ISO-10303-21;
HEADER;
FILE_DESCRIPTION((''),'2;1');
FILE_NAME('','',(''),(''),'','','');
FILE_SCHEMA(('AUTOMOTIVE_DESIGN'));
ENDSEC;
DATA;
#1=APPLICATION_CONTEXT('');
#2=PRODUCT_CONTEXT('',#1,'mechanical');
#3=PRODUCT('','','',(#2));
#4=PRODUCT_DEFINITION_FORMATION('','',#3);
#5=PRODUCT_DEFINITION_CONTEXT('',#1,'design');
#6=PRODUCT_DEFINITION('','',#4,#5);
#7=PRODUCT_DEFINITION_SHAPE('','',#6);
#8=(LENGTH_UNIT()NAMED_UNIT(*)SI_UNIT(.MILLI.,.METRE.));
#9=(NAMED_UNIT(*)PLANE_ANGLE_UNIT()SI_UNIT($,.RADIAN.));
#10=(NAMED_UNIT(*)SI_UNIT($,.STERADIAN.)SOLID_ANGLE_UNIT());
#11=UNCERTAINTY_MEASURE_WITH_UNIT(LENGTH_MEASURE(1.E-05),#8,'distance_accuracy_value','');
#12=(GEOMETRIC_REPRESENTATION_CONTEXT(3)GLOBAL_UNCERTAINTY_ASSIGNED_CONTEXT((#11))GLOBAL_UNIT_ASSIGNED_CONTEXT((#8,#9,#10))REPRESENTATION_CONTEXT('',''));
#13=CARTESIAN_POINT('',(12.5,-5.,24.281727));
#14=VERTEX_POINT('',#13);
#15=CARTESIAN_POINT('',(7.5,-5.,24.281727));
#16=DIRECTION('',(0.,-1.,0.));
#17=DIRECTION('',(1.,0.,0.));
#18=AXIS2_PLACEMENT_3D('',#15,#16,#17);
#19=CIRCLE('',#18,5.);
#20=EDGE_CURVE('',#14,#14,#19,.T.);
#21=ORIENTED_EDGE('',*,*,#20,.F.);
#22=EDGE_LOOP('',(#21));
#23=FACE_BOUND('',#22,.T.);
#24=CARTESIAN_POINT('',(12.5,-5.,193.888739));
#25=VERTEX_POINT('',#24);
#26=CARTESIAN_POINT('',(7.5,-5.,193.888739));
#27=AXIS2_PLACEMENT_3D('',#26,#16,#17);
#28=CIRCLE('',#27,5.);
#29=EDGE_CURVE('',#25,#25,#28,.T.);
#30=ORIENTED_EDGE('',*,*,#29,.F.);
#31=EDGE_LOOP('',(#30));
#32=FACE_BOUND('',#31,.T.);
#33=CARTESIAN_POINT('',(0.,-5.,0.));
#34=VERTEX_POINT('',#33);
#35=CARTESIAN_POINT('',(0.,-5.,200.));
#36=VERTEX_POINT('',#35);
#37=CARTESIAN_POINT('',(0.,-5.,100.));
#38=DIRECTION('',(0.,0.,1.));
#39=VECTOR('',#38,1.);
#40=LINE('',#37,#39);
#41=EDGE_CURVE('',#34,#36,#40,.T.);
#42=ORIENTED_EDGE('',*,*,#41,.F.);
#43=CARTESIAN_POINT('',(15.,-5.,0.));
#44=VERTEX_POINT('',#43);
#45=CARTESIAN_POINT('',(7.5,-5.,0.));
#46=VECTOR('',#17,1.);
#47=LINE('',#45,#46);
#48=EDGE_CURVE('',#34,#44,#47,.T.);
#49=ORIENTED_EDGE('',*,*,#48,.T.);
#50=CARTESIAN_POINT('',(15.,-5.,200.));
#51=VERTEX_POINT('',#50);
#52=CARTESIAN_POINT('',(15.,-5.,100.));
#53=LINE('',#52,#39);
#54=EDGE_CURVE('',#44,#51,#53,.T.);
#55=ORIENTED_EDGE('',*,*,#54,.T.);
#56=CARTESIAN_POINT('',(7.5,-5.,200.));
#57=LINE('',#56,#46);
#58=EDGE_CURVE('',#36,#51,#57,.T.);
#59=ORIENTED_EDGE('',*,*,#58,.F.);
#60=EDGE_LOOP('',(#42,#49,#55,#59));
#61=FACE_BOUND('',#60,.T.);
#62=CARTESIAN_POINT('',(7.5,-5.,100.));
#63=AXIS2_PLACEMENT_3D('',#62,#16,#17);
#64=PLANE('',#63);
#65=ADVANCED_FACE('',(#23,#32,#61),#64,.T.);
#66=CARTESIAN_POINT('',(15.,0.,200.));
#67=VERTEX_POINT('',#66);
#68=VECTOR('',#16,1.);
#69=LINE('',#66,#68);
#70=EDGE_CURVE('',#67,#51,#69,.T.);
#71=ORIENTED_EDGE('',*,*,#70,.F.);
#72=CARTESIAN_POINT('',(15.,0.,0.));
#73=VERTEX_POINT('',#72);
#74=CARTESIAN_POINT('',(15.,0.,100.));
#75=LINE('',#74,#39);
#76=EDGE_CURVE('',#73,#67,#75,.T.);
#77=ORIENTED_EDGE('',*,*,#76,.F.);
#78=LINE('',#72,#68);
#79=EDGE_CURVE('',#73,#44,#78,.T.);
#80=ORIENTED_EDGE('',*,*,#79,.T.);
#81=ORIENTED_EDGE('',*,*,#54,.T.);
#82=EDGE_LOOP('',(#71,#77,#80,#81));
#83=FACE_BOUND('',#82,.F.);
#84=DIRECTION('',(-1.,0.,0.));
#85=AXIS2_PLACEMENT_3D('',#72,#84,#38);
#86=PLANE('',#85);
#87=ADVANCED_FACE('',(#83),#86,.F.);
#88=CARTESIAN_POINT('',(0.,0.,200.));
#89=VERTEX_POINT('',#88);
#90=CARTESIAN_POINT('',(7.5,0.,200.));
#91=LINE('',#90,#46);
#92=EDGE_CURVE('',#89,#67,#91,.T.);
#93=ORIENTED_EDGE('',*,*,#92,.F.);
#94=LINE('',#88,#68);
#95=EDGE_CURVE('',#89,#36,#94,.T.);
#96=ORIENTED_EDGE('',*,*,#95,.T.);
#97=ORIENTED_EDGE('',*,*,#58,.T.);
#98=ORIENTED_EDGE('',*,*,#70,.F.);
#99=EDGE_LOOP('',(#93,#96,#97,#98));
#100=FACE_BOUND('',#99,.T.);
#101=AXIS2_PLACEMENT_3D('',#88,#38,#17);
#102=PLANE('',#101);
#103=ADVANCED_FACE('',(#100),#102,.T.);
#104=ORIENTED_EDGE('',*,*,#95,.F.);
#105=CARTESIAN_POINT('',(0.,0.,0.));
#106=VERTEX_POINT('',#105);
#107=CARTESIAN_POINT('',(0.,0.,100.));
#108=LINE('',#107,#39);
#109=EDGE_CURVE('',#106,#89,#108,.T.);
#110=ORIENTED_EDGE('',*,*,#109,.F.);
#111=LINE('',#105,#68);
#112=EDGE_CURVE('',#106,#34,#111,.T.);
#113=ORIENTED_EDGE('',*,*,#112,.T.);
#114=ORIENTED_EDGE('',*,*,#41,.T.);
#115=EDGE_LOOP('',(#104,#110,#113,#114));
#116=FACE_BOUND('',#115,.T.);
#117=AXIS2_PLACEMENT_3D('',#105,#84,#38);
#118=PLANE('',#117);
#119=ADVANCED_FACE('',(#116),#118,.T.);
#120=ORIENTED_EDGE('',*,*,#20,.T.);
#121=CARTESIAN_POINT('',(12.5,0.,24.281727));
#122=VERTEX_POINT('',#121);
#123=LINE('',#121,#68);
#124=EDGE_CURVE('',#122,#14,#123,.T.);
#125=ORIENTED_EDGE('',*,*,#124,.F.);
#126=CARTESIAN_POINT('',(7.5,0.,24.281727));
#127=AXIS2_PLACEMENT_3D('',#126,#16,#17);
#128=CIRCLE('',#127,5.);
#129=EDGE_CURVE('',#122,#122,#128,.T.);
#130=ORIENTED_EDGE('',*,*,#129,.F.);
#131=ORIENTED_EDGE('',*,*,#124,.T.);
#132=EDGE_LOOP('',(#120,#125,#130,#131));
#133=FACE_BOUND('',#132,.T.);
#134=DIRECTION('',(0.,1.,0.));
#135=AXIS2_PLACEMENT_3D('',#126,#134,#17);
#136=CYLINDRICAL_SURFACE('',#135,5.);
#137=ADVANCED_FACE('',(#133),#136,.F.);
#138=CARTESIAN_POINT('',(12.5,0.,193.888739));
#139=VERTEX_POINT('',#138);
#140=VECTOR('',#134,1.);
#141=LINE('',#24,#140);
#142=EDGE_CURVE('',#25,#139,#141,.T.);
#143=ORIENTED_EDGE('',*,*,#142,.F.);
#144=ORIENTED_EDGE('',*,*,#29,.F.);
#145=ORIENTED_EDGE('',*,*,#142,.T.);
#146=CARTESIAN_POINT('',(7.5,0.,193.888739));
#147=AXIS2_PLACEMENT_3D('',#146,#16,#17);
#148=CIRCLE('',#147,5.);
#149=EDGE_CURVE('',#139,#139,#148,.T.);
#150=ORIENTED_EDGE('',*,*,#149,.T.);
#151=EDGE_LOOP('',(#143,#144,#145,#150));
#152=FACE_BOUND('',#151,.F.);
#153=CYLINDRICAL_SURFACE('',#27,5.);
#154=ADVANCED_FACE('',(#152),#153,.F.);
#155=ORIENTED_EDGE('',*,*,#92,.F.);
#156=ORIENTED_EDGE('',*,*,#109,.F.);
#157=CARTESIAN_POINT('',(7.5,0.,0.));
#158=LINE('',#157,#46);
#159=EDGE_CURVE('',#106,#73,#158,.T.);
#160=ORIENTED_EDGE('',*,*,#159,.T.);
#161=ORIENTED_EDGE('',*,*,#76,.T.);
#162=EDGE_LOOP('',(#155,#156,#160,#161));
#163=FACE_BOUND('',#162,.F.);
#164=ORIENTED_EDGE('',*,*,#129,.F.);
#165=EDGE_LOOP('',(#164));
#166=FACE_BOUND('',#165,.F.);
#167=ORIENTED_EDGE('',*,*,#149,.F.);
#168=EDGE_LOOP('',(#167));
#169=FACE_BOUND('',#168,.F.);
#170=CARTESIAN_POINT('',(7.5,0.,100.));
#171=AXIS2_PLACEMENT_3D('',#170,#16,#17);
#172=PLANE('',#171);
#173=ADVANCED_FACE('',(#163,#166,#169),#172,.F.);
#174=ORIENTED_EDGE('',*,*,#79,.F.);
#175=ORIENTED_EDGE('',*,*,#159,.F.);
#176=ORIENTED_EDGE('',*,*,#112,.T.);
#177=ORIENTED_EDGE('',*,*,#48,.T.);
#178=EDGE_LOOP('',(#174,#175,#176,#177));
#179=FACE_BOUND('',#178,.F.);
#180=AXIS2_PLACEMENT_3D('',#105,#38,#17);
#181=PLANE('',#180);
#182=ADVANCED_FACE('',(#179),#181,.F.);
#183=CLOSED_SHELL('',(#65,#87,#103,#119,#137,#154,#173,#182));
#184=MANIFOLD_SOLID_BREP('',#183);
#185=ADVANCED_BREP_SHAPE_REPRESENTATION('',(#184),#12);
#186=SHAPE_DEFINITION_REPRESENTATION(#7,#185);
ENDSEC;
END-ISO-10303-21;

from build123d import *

# Parameters (mm, degrees)
F0_W     = 15
F0_H     = 200
F0_R     = 5
F1_DEPTH = 5
F2_R     = 5
F3_DEPTH = 5


with BuildPart() as f1:
    # F0 (on Front) → F1 (new body)
    with BuildSketch(Plane.XZ):
        with Locations((7.5, 100)):
            Rectangle(F0_W, F0_H)
        with Locations((7.5, 24.281727)):
            Circle(F0_R, mode=Mode.SUBTRACT)
    extrude(amount=F1_DEPTH)

    # F2 (on face) → F3 (cut, through all)
    with BuildSketch(Plane.XZ.offset(5)):
        with Locations((7.5, 193.888739)):
            Circle(F2_R)
    extrude(amount=-F3_DEPTH, mode=Mode.SUBTRACT)


solid = f1.part
